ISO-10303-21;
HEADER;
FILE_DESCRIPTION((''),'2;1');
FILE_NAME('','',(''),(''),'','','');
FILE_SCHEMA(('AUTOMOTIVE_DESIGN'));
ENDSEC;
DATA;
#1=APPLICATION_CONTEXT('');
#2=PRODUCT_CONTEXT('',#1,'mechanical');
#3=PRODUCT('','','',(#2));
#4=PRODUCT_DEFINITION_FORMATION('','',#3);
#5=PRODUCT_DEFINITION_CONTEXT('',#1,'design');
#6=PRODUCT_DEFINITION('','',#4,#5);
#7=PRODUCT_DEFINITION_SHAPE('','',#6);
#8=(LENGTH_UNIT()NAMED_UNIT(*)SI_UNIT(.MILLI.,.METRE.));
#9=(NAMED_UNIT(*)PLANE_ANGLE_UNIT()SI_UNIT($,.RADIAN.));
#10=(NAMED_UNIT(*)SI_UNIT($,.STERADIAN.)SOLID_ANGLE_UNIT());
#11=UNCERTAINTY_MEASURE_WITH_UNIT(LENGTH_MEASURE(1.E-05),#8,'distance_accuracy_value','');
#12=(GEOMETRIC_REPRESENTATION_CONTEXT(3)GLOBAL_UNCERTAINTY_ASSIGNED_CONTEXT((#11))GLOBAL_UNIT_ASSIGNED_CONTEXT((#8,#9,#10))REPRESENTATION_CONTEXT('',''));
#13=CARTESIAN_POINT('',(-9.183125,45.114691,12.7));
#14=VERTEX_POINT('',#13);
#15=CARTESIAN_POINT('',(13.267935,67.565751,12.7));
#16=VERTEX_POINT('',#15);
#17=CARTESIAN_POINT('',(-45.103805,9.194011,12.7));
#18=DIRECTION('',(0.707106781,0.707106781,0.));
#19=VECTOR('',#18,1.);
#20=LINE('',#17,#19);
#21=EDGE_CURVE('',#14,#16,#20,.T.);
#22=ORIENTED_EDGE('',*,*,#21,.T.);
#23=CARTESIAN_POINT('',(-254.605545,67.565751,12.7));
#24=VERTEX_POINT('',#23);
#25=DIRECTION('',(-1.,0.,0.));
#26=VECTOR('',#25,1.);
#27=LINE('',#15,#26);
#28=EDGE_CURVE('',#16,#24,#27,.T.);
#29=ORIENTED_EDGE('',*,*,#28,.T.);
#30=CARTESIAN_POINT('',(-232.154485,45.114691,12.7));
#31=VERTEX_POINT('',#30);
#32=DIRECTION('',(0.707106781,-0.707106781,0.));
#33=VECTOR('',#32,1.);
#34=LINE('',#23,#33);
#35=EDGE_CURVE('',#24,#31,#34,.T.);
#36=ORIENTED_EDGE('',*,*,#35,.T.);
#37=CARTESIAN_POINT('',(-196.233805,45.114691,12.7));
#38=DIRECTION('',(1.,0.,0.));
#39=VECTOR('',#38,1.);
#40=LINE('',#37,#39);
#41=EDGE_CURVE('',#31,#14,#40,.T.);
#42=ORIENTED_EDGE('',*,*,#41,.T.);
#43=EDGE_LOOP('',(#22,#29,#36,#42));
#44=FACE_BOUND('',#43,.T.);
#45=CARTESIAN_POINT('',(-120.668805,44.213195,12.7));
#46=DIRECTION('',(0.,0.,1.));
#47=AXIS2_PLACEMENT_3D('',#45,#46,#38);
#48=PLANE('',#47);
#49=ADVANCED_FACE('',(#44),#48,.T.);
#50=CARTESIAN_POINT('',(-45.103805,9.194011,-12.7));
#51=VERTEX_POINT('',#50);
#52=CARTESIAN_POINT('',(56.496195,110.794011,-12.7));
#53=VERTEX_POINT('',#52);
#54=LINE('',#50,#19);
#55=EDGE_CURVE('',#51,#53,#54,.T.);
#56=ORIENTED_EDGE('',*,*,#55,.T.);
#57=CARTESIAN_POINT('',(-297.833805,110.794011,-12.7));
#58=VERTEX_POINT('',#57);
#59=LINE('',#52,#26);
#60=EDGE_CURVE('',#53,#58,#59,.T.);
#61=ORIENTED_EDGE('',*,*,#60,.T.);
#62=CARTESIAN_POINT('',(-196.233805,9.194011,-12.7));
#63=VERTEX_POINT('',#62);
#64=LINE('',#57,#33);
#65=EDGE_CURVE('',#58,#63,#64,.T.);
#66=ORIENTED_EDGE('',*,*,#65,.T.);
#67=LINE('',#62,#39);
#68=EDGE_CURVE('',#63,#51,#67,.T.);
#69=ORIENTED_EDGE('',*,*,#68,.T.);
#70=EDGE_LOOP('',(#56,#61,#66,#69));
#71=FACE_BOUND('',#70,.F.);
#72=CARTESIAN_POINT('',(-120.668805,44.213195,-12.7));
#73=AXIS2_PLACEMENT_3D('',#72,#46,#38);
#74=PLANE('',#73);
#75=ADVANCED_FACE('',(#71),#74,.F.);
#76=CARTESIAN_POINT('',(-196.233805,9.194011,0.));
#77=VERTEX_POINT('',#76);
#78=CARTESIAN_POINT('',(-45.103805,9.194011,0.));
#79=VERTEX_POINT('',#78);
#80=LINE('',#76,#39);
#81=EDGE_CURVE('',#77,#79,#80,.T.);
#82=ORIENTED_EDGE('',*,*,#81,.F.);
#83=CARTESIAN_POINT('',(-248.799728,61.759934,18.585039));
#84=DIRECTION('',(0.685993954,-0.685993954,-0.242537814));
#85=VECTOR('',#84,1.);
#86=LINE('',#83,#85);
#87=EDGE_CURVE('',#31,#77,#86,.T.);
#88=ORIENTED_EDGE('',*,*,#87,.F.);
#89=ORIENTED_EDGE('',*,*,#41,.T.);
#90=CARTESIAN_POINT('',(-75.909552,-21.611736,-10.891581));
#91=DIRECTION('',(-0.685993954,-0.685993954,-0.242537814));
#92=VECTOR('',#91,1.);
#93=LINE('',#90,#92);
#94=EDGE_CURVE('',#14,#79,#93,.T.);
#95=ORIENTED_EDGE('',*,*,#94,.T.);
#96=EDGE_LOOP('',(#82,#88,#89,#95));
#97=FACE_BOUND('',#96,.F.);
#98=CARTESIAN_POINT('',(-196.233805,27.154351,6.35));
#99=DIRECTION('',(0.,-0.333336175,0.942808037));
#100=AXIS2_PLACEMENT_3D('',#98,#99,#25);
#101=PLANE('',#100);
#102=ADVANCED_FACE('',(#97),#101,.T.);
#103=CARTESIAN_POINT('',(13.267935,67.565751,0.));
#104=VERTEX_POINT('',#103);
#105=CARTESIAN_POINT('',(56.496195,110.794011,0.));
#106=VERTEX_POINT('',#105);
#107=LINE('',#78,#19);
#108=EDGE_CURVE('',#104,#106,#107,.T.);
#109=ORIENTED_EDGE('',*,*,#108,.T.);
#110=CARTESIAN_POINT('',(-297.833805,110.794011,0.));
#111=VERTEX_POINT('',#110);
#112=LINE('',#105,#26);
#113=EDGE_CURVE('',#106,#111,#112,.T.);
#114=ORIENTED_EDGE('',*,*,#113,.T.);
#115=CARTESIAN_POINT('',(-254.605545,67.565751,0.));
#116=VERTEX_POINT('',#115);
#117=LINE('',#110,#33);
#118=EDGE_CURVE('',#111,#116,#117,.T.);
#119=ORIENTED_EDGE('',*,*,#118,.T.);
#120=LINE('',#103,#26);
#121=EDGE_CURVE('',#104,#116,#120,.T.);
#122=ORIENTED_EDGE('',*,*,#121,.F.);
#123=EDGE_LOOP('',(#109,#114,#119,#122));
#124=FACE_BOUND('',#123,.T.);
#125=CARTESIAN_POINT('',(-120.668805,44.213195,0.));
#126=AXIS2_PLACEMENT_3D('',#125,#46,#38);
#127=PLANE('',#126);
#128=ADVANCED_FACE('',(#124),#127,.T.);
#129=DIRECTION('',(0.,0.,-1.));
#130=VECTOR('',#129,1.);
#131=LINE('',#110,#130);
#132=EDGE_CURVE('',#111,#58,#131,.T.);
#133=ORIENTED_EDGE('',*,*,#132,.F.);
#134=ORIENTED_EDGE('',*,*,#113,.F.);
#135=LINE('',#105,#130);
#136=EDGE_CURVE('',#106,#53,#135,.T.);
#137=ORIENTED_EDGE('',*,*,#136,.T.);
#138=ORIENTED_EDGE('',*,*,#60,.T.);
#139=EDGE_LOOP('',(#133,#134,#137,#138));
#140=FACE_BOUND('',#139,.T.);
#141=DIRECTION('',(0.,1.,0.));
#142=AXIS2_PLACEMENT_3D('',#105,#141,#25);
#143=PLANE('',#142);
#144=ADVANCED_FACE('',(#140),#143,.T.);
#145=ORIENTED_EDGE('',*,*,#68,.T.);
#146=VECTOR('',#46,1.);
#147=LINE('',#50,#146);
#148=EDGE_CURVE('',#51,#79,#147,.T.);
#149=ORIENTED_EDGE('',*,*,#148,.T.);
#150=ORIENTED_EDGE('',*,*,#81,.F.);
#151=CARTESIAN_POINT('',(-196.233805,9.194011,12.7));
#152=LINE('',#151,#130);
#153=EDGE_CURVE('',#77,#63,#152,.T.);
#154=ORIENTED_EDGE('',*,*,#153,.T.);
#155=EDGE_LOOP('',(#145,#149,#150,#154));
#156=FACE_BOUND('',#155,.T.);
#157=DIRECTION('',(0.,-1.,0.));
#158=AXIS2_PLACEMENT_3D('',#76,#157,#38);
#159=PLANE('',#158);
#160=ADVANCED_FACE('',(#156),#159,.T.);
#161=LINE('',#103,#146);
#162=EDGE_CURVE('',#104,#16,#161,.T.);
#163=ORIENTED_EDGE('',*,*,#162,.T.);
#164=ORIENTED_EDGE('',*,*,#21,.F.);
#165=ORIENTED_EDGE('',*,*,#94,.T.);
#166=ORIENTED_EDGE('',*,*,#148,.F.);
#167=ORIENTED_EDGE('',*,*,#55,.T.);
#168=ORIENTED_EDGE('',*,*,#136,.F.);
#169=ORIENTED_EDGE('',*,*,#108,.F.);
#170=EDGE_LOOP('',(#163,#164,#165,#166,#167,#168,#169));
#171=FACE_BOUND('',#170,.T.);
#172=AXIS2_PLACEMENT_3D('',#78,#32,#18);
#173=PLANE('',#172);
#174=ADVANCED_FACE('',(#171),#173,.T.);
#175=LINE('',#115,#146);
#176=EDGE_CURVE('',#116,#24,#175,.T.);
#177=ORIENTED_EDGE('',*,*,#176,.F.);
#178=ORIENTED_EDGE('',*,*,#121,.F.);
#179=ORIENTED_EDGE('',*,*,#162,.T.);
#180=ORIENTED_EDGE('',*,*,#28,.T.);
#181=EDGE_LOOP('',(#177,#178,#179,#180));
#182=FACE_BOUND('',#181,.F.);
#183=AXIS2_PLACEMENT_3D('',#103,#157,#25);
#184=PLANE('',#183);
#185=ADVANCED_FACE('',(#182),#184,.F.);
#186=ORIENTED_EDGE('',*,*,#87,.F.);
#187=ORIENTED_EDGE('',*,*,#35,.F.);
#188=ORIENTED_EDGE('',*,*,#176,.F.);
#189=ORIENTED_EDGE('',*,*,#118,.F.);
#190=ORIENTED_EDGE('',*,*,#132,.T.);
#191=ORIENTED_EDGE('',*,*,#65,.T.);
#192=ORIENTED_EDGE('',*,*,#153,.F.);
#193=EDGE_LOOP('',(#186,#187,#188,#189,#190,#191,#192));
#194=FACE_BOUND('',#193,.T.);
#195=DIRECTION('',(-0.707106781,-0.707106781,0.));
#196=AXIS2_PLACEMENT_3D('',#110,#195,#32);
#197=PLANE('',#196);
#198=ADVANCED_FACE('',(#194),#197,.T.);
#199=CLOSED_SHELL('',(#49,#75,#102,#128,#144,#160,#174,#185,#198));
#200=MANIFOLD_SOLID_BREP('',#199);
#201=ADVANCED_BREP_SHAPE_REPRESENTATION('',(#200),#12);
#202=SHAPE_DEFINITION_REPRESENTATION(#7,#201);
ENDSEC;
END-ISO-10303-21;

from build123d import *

# Parameters (mm, degrees)
F1_DEPTH = 12.7
F2_DEPTH = 12.7
F3_SIZE2 = 12.7
F3_SIZE  = 35.92068


with BuildPart() as f1:
    # F0 (on Top) → F1 (new body)
    with BuildSketch(Plane.XY):
        Polygon((-254.6055446911, 67.5657510931), (-196.2338046911, 9.1940110931), (-45.1038046911, 9.1940110931), (13.2679353089, 67.5657510931), align=None)
    extrude(amount=F1_DEPTH)

    # F0 (on Top) → F2 (join)
    with BuildSketch(Plane.XY):
        Polygon((-254.6055446911, 67.5657510931), (-196.2338046911, 9.1940110931), (-45.1038046911, 9.1940110931), (13.2679353089, 67.5657510931), align=None)
        Polygon((-297.8338046911, 110.7940110931), (-254.6055446911, 67.5657510931), (13.2679353089, 67.5657510931), (56.4961953089, 110.7940110931), align=None)
    extrude(amount=-F2_DEPTH)

    # F3
    f3_edges = [f1.edges().sort_by_distance(p)[0] for p in [
        (-120.668805, 9.194011, 12.7),
    ]]
    f3_side = f1.faces().sort_by_distance((-120.668805, 41.090487, 12.7))[0]
    chamfer(f3_edges, length=F3_SIZE, length2=F3_SIZE2, reference=f3_side)


solid = f1.part
